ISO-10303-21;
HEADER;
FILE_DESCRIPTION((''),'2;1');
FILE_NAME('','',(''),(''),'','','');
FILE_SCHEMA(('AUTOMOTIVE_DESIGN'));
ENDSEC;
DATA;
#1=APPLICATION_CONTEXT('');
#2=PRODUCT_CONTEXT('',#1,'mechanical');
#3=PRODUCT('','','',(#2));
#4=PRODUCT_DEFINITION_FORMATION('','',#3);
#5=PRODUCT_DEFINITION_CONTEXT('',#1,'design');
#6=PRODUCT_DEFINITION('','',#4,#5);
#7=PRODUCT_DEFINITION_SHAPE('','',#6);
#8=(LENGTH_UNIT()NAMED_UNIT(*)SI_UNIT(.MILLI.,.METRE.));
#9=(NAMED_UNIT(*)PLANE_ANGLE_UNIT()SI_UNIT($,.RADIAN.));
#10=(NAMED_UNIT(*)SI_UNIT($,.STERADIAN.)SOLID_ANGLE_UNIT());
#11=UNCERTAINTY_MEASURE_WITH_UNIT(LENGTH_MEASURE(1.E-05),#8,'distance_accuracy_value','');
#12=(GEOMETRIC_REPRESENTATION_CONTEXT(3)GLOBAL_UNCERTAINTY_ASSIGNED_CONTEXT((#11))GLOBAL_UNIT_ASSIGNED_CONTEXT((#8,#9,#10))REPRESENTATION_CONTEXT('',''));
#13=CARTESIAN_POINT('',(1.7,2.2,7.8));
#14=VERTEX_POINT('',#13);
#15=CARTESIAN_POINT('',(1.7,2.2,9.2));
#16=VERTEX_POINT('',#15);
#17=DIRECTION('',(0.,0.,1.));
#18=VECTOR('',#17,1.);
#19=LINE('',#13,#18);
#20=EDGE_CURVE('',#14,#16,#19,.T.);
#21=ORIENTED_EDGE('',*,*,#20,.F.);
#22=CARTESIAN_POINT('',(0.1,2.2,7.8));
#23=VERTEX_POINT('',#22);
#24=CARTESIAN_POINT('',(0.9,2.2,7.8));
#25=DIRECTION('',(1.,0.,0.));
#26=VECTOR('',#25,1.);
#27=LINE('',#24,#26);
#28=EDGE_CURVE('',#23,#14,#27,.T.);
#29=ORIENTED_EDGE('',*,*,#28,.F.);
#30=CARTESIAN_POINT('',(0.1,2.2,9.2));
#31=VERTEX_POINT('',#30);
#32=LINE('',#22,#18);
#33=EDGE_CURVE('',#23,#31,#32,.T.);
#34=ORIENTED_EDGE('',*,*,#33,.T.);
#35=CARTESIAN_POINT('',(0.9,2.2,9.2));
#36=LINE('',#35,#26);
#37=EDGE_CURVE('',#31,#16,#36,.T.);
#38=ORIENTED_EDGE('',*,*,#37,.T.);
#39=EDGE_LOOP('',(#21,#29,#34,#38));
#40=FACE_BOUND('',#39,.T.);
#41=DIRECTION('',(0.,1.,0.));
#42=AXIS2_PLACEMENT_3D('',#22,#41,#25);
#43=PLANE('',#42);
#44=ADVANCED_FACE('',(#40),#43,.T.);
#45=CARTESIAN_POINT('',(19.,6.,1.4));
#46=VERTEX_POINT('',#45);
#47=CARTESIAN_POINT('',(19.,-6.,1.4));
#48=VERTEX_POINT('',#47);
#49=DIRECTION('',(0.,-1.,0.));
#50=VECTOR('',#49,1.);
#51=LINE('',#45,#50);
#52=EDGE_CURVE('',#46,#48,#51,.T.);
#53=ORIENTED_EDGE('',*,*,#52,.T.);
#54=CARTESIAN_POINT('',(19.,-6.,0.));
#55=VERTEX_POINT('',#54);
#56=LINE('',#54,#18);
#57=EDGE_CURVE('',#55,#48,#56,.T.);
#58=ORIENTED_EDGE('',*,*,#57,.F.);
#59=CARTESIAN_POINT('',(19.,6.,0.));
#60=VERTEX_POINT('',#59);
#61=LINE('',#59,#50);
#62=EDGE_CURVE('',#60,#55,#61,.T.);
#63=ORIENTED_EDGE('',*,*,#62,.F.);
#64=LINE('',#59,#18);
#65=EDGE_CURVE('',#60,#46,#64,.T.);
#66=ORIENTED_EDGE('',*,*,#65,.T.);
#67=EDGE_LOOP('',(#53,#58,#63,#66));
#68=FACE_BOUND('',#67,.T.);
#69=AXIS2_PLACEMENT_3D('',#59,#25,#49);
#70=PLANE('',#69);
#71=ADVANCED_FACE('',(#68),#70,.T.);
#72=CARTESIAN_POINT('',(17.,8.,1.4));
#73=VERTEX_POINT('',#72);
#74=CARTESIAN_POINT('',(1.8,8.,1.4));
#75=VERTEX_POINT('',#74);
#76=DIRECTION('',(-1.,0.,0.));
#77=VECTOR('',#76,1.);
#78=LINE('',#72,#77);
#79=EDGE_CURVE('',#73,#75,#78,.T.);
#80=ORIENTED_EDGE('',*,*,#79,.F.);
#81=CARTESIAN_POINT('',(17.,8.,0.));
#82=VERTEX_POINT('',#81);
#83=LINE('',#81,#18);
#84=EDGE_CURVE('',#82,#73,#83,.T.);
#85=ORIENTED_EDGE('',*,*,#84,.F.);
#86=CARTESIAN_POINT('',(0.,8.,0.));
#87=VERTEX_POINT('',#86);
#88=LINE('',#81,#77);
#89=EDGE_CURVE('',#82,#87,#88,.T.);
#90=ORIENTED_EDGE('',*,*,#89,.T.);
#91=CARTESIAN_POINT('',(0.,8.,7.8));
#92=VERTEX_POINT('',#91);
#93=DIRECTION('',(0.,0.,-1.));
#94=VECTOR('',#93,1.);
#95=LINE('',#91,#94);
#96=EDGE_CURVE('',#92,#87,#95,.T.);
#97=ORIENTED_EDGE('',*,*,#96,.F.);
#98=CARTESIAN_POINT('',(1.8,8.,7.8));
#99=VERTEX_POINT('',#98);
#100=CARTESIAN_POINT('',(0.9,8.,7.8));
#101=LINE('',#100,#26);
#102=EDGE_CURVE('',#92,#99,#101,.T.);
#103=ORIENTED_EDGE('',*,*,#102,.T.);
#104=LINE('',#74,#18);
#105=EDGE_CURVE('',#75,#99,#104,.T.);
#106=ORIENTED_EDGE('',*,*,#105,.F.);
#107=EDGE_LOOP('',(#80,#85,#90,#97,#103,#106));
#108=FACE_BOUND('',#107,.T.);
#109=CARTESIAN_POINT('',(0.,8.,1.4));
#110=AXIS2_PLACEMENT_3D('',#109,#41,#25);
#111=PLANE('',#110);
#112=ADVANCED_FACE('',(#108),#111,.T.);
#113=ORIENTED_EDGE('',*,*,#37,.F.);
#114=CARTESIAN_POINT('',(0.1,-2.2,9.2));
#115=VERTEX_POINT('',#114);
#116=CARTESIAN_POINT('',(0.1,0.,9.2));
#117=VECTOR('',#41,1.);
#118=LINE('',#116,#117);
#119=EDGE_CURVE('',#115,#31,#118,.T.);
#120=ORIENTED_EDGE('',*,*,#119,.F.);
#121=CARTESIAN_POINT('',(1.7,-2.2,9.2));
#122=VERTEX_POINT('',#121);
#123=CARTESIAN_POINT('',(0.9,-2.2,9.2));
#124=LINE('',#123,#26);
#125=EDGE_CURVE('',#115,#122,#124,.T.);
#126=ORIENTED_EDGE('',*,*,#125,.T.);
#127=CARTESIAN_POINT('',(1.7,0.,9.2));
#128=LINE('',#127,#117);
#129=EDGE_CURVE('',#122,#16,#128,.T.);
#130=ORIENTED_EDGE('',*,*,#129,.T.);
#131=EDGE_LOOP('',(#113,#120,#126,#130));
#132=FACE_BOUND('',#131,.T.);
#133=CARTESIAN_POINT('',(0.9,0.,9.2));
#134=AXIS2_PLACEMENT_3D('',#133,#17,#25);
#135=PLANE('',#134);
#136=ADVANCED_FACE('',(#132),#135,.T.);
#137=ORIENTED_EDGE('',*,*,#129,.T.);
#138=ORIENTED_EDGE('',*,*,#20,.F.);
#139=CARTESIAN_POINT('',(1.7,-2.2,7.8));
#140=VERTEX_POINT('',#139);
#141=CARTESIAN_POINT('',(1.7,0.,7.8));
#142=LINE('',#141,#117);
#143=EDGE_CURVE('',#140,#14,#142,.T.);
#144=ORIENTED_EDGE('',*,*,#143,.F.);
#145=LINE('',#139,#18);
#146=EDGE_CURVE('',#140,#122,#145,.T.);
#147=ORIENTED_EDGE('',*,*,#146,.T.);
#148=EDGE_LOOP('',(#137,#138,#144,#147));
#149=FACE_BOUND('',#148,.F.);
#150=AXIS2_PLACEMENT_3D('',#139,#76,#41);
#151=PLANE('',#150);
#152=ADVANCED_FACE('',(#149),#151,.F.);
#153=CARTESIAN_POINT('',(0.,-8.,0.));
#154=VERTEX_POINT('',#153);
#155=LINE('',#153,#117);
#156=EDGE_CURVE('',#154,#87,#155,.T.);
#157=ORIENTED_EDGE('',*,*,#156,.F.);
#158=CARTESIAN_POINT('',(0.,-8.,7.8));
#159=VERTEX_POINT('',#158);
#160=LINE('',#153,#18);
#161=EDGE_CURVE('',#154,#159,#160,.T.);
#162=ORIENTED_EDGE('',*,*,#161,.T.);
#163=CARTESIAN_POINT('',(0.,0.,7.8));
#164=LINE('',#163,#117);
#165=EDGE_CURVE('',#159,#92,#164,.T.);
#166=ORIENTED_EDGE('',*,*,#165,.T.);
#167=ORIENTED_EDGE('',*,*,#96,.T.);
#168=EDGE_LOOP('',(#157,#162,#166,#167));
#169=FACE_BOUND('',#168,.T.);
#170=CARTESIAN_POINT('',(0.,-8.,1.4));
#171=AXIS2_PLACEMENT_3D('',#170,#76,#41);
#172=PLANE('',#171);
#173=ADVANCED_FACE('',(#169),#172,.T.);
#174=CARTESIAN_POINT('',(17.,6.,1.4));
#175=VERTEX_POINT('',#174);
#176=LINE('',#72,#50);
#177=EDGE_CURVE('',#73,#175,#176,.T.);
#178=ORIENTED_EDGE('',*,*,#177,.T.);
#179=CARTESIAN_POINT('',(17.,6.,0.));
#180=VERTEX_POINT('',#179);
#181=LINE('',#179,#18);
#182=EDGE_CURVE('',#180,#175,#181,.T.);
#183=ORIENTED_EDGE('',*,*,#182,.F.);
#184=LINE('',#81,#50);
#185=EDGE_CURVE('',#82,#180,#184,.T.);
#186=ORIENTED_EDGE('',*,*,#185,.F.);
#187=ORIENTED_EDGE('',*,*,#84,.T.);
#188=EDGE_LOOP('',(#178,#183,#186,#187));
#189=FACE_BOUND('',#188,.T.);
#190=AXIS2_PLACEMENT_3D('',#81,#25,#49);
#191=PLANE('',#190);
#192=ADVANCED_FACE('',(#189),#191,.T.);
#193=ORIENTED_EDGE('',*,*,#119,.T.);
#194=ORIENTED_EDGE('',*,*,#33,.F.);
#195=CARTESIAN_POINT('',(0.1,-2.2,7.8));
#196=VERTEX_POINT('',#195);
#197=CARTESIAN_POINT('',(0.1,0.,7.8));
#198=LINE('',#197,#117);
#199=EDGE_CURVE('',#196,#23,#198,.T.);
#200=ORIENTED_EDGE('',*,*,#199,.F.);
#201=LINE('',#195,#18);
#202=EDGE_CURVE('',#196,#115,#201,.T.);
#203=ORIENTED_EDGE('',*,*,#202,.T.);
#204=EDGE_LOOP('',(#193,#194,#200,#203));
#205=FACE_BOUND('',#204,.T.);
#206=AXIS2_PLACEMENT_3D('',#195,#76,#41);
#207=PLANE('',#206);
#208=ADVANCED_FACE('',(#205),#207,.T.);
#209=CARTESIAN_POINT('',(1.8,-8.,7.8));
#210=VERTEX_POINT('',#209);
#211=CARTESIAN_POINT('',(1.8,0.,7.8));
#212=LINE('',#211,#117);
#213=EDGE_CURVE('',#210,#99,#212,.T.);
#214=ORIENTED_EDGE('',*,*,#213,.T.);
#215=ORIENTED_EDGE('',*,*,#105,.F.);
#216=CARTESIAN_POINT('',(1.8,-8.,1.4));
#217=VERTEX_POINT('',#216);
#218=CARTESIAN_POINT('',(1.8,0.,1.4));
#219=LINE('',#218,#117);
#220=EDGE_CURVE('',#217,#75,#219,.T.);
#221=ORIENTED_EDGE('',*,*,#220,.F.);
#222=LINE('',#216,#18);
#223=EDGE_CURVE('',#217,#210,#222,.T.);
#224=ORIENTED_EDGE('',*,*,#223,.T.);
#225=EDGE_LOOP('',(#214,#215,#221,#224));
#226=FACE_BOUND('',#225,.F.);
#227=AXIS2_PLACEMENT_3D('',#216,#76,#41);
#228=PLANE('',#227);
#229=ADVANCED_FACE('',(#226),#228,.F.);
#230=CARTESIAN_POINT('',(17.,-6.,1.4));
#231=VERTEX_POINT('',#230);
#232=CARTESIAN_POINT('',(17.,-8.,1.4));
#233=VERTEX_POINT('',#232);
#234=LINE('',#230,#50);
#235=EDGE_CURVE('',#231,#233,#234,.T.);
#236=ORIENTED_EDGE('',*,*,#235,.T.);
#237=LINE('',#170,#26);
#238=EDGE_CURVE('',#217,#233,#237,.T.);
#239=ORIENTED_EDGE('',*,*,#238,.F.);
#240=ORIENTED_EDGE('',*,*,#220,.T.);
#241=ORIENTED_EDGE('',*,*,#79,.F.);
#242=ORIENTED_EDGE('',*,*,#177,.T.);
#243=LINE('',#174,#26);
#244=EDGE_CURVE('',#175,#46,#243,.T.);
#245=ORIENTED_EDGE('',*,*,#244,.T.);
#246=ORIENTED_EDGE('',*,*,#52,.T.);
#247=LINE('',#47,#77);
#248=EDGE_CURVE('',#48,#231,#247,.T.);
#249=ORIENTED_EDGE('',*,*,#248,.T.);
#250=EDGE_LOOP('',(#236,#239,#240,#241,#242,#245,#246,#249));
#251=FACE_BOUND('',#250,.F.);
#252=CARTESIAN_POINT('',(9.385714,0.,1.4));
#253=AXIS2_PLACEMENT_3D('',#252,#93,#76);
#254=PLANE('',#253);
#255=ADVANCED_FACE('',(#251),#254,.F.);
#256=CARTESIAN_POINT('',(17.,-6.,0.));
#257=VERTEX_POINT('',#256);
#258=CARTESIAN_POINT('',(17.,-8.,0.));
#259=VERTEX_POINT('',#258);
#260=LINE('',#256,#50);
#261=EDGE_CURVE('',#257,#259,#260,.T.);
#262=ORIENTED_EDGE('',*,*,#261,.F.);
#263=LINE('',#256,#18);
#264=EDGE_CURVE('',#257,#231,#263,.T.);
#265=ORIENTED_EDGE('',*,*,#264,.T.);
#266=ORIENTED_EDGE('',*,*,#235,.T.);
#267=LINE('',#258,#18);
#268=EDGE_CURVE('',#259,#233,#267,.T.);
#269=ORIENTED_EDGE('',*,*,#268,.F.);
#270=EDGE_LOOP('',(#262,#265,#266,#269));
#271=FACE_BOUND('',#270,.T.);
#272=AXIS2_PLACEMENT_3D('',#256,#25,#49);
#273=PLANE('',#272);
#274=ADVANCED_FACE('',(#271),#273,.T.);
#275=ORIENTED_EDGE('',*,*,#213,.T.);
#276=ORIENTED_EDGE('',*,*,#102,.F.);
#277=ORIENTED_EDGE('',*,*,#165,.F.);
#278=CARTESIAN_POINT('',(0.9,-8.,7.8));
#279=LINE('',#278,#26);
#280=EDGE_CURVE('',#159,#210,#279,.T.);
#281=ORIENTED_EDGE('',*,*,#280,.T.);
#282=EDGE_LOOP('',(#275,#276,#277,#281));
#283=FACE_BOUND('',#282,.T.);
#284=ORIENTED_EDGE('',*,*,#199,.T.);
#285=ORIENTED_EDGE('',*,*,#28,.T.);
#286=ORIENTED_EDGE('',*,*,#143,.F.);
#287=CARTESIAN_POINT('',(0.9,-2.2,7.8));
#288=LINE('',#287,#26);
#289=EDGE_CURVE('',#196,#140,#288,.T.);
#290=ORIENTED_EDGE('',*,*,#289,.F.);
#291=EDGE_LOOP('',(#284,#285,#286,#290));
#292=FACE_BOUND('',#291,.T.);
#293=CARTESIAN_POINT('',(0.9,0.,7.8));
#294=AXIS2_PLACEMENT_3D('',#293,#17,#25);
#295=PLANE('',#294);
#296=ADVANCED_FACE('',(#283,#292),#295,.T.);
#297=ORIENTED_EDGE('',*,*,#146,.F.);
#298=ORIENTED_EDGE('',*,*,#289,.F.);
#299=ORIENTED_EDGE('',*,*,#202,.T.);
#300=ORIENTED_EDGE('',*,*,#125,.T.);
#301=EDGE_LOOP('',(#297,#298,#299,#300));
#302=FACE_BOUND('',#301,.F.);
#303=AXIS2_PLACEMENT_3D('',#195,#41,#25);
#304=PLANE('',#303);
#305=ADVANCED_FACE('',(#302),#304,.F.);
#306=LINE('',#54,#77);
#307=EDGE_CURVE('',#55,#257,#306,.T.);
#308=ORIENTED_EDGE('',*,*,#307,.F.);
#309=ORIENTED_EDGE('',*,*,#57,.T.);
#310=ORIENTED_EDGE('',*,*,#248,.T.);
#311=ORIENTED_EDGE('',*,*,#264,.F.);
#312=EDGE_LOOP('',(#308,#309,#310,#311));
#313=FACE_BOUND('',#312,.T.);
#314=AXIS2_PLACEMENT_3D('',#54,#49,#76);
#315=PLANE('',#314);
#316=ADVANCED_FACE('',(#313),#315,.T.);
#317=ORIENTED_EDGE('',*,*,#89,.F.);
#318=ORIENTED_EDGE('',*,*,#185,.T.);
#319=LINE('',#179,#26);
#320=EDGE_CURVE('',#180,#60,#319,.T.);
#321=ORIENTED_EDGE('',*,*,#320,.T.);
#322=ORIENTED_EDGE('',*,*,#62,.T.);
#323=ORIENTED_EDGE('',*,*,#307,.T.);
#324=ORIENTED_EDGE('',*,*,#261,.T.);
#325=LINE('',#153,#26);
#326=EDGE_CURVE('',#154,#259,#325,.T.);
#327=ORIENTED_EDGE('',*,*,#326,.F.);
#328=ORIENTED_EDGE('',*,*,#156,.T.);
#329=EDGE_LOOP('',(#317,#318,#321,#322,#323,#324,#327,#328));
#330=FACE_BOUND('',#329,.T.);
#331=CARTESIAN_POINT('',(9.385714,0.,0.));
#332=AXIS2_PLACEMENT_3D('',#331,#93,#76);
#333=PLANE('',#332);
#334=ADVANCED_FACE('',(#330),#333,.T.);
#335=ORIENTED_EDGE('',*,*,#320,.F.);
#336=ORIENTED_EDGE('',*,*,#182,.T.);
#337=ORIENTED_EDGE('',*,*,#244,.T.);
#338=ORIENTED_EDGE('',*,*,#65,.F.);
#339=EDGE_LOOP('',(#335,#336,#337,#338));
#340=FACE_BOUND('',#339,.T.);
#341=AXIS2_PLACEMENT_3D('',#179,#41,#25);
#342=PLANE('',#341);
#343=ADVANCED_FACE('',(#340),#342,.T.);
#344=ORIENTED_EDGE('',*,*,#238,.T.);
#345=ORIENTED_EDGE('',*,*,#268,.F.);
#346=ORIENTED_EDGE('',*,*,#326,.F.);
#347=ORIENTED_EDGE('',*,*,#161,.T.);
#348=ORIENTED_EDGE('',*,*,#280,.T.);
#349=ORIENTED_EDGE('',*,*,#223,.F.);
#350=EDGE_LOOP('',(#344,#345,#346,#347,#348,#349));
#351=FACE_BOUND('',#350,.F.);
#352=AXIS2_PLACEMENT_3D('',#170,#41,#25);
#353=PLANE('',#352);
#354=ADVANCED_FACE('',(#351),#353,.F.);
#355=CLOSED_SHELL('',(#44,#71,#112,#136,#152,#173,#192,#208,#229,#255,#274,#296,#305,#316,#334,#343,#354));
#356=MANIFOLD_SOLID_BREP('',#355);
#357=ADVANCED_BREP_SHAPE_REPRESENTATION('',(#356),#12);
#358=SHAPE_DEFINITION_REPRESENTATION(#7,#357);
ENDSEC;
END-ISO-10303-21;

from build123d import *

# Parameters (mm, degrees)
PAD031_DEPTH = 1.4
SKETCH158_W  = 1.8
SKETCH158_H  = 16
PAD032_DEPTH = 6.4
SKETCH159_W  = 1.6
SKETCH159_H  = 4.4
PAD033_DEPTH = 1.4


with BuildPart() as part:
    # Sketch157 → Pad031 (new body)
    with BuildSketch(Plane.XY):
        Polygon((1.8, 8), (17, 8), (17, 6), (19, 6), (19, -6), (17, -6), (17, -8), (1.8, -8), (0, -8), (0, 8), align=None)
    extrude(amount=PAD031_DEPTH)

    # Sketch158 (on Face8 of Pad031) → Pad032 (join)
    with BuildSketch(Plane.XY.offset(1.4)):
        with Locations((0.9, 0)):
            Rectangle(SKETCH158_W, SKETCH158_H)
    extrude(amount=PAD032_DEPTH)

    # Sketch159 (on Face9 of Pad032) → Pad033 (join)
    with BuildSketch(Plane.XY.offset(7.8)):
        with Locations((0.9, 0)):
            Rectangle(SKETCH159_W, SKETCH159_H)
    extrude(amount=PAD033_DEPTH)


solid = part.part
